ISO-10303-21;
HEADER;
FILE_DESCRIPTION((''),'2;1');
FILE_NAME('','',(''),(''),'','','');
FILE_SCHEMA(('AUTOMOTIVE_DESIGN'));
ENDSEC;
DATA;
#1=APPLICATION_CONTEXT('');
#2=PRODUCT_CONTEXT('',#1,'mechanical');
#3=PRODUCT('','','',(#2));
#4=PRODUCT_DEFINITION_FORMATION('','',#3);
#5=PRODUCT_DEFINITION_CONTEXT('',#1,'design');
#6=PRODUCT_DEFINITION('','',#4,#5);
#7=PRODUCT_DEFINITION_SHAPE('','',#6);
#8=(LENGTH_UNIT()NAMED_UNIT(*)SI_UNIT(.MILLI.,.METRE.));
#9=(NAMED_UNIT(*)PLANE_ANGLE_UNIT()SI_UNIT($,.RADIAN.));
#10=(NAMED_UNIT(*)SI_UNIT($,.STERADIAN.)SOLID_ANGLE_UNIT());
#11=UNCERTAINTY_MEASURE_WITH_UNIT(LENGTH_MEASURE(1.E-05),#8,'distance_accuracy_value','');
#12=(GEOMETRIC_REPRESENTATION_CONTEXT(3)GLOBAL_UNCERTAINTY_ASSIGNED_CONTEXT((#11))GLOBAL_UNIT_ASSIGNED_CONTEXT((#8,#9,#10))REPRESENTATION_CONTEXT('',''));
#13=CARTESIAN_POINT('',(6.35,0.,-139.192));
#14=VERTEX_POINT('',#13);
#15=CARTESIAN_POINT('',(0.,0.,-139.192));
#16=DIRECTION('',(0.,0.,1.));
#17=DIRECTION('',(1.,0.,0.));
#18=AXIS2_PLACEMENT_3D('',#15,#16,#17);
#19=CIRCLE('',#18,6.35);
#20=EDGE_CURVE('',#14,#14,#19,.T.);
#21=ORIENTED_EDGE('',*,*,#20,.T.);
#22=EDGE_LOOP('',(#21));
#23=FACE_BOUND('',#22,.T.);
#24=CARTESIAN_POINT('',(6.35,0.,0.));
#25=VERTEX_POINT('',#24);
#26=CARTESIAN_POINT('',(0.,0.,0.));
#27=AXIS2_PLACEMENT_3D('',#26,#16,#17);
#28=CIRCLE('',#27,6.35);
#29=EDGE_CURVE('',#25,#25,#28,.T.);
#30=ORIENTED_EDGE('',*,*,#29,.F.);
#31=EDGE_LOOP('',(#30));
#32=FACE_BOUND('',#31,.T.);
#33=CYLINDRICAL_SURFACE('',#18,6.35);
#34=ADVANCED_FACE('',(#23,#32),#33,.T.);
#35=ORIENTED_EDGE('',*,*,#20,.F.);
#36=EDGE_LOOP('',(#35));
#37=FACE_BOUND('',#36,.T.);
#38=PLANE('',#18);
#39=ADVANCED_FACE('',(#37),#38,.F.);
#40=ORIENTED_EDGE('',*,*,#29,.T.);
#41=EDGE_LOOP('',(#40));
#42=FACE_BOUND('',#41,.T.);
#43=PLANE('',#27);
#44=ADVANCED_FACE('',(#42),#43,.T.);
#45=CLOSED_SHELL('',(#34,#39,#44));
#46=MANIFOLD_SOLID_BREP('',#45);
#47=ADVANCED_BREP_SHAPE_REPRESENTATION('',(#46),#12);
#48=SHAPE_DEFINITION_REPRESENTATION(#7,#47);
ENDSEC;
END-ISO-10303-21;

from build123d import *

# Parameters (mm, degrees)
SKETCH1_R           = 6.35
BOSS_EXTRUDE1_DEPTH = 139.192


with BuildPart() as part:
    # Sketch1 → Boss-Extrude1 (new body)
    with BuildSketch(Plane.XY):
        Circle(SKETCH1_R)
    extrude(amount=-BOSS_EXTRUDE1_DEPTH)


solid = part.part
